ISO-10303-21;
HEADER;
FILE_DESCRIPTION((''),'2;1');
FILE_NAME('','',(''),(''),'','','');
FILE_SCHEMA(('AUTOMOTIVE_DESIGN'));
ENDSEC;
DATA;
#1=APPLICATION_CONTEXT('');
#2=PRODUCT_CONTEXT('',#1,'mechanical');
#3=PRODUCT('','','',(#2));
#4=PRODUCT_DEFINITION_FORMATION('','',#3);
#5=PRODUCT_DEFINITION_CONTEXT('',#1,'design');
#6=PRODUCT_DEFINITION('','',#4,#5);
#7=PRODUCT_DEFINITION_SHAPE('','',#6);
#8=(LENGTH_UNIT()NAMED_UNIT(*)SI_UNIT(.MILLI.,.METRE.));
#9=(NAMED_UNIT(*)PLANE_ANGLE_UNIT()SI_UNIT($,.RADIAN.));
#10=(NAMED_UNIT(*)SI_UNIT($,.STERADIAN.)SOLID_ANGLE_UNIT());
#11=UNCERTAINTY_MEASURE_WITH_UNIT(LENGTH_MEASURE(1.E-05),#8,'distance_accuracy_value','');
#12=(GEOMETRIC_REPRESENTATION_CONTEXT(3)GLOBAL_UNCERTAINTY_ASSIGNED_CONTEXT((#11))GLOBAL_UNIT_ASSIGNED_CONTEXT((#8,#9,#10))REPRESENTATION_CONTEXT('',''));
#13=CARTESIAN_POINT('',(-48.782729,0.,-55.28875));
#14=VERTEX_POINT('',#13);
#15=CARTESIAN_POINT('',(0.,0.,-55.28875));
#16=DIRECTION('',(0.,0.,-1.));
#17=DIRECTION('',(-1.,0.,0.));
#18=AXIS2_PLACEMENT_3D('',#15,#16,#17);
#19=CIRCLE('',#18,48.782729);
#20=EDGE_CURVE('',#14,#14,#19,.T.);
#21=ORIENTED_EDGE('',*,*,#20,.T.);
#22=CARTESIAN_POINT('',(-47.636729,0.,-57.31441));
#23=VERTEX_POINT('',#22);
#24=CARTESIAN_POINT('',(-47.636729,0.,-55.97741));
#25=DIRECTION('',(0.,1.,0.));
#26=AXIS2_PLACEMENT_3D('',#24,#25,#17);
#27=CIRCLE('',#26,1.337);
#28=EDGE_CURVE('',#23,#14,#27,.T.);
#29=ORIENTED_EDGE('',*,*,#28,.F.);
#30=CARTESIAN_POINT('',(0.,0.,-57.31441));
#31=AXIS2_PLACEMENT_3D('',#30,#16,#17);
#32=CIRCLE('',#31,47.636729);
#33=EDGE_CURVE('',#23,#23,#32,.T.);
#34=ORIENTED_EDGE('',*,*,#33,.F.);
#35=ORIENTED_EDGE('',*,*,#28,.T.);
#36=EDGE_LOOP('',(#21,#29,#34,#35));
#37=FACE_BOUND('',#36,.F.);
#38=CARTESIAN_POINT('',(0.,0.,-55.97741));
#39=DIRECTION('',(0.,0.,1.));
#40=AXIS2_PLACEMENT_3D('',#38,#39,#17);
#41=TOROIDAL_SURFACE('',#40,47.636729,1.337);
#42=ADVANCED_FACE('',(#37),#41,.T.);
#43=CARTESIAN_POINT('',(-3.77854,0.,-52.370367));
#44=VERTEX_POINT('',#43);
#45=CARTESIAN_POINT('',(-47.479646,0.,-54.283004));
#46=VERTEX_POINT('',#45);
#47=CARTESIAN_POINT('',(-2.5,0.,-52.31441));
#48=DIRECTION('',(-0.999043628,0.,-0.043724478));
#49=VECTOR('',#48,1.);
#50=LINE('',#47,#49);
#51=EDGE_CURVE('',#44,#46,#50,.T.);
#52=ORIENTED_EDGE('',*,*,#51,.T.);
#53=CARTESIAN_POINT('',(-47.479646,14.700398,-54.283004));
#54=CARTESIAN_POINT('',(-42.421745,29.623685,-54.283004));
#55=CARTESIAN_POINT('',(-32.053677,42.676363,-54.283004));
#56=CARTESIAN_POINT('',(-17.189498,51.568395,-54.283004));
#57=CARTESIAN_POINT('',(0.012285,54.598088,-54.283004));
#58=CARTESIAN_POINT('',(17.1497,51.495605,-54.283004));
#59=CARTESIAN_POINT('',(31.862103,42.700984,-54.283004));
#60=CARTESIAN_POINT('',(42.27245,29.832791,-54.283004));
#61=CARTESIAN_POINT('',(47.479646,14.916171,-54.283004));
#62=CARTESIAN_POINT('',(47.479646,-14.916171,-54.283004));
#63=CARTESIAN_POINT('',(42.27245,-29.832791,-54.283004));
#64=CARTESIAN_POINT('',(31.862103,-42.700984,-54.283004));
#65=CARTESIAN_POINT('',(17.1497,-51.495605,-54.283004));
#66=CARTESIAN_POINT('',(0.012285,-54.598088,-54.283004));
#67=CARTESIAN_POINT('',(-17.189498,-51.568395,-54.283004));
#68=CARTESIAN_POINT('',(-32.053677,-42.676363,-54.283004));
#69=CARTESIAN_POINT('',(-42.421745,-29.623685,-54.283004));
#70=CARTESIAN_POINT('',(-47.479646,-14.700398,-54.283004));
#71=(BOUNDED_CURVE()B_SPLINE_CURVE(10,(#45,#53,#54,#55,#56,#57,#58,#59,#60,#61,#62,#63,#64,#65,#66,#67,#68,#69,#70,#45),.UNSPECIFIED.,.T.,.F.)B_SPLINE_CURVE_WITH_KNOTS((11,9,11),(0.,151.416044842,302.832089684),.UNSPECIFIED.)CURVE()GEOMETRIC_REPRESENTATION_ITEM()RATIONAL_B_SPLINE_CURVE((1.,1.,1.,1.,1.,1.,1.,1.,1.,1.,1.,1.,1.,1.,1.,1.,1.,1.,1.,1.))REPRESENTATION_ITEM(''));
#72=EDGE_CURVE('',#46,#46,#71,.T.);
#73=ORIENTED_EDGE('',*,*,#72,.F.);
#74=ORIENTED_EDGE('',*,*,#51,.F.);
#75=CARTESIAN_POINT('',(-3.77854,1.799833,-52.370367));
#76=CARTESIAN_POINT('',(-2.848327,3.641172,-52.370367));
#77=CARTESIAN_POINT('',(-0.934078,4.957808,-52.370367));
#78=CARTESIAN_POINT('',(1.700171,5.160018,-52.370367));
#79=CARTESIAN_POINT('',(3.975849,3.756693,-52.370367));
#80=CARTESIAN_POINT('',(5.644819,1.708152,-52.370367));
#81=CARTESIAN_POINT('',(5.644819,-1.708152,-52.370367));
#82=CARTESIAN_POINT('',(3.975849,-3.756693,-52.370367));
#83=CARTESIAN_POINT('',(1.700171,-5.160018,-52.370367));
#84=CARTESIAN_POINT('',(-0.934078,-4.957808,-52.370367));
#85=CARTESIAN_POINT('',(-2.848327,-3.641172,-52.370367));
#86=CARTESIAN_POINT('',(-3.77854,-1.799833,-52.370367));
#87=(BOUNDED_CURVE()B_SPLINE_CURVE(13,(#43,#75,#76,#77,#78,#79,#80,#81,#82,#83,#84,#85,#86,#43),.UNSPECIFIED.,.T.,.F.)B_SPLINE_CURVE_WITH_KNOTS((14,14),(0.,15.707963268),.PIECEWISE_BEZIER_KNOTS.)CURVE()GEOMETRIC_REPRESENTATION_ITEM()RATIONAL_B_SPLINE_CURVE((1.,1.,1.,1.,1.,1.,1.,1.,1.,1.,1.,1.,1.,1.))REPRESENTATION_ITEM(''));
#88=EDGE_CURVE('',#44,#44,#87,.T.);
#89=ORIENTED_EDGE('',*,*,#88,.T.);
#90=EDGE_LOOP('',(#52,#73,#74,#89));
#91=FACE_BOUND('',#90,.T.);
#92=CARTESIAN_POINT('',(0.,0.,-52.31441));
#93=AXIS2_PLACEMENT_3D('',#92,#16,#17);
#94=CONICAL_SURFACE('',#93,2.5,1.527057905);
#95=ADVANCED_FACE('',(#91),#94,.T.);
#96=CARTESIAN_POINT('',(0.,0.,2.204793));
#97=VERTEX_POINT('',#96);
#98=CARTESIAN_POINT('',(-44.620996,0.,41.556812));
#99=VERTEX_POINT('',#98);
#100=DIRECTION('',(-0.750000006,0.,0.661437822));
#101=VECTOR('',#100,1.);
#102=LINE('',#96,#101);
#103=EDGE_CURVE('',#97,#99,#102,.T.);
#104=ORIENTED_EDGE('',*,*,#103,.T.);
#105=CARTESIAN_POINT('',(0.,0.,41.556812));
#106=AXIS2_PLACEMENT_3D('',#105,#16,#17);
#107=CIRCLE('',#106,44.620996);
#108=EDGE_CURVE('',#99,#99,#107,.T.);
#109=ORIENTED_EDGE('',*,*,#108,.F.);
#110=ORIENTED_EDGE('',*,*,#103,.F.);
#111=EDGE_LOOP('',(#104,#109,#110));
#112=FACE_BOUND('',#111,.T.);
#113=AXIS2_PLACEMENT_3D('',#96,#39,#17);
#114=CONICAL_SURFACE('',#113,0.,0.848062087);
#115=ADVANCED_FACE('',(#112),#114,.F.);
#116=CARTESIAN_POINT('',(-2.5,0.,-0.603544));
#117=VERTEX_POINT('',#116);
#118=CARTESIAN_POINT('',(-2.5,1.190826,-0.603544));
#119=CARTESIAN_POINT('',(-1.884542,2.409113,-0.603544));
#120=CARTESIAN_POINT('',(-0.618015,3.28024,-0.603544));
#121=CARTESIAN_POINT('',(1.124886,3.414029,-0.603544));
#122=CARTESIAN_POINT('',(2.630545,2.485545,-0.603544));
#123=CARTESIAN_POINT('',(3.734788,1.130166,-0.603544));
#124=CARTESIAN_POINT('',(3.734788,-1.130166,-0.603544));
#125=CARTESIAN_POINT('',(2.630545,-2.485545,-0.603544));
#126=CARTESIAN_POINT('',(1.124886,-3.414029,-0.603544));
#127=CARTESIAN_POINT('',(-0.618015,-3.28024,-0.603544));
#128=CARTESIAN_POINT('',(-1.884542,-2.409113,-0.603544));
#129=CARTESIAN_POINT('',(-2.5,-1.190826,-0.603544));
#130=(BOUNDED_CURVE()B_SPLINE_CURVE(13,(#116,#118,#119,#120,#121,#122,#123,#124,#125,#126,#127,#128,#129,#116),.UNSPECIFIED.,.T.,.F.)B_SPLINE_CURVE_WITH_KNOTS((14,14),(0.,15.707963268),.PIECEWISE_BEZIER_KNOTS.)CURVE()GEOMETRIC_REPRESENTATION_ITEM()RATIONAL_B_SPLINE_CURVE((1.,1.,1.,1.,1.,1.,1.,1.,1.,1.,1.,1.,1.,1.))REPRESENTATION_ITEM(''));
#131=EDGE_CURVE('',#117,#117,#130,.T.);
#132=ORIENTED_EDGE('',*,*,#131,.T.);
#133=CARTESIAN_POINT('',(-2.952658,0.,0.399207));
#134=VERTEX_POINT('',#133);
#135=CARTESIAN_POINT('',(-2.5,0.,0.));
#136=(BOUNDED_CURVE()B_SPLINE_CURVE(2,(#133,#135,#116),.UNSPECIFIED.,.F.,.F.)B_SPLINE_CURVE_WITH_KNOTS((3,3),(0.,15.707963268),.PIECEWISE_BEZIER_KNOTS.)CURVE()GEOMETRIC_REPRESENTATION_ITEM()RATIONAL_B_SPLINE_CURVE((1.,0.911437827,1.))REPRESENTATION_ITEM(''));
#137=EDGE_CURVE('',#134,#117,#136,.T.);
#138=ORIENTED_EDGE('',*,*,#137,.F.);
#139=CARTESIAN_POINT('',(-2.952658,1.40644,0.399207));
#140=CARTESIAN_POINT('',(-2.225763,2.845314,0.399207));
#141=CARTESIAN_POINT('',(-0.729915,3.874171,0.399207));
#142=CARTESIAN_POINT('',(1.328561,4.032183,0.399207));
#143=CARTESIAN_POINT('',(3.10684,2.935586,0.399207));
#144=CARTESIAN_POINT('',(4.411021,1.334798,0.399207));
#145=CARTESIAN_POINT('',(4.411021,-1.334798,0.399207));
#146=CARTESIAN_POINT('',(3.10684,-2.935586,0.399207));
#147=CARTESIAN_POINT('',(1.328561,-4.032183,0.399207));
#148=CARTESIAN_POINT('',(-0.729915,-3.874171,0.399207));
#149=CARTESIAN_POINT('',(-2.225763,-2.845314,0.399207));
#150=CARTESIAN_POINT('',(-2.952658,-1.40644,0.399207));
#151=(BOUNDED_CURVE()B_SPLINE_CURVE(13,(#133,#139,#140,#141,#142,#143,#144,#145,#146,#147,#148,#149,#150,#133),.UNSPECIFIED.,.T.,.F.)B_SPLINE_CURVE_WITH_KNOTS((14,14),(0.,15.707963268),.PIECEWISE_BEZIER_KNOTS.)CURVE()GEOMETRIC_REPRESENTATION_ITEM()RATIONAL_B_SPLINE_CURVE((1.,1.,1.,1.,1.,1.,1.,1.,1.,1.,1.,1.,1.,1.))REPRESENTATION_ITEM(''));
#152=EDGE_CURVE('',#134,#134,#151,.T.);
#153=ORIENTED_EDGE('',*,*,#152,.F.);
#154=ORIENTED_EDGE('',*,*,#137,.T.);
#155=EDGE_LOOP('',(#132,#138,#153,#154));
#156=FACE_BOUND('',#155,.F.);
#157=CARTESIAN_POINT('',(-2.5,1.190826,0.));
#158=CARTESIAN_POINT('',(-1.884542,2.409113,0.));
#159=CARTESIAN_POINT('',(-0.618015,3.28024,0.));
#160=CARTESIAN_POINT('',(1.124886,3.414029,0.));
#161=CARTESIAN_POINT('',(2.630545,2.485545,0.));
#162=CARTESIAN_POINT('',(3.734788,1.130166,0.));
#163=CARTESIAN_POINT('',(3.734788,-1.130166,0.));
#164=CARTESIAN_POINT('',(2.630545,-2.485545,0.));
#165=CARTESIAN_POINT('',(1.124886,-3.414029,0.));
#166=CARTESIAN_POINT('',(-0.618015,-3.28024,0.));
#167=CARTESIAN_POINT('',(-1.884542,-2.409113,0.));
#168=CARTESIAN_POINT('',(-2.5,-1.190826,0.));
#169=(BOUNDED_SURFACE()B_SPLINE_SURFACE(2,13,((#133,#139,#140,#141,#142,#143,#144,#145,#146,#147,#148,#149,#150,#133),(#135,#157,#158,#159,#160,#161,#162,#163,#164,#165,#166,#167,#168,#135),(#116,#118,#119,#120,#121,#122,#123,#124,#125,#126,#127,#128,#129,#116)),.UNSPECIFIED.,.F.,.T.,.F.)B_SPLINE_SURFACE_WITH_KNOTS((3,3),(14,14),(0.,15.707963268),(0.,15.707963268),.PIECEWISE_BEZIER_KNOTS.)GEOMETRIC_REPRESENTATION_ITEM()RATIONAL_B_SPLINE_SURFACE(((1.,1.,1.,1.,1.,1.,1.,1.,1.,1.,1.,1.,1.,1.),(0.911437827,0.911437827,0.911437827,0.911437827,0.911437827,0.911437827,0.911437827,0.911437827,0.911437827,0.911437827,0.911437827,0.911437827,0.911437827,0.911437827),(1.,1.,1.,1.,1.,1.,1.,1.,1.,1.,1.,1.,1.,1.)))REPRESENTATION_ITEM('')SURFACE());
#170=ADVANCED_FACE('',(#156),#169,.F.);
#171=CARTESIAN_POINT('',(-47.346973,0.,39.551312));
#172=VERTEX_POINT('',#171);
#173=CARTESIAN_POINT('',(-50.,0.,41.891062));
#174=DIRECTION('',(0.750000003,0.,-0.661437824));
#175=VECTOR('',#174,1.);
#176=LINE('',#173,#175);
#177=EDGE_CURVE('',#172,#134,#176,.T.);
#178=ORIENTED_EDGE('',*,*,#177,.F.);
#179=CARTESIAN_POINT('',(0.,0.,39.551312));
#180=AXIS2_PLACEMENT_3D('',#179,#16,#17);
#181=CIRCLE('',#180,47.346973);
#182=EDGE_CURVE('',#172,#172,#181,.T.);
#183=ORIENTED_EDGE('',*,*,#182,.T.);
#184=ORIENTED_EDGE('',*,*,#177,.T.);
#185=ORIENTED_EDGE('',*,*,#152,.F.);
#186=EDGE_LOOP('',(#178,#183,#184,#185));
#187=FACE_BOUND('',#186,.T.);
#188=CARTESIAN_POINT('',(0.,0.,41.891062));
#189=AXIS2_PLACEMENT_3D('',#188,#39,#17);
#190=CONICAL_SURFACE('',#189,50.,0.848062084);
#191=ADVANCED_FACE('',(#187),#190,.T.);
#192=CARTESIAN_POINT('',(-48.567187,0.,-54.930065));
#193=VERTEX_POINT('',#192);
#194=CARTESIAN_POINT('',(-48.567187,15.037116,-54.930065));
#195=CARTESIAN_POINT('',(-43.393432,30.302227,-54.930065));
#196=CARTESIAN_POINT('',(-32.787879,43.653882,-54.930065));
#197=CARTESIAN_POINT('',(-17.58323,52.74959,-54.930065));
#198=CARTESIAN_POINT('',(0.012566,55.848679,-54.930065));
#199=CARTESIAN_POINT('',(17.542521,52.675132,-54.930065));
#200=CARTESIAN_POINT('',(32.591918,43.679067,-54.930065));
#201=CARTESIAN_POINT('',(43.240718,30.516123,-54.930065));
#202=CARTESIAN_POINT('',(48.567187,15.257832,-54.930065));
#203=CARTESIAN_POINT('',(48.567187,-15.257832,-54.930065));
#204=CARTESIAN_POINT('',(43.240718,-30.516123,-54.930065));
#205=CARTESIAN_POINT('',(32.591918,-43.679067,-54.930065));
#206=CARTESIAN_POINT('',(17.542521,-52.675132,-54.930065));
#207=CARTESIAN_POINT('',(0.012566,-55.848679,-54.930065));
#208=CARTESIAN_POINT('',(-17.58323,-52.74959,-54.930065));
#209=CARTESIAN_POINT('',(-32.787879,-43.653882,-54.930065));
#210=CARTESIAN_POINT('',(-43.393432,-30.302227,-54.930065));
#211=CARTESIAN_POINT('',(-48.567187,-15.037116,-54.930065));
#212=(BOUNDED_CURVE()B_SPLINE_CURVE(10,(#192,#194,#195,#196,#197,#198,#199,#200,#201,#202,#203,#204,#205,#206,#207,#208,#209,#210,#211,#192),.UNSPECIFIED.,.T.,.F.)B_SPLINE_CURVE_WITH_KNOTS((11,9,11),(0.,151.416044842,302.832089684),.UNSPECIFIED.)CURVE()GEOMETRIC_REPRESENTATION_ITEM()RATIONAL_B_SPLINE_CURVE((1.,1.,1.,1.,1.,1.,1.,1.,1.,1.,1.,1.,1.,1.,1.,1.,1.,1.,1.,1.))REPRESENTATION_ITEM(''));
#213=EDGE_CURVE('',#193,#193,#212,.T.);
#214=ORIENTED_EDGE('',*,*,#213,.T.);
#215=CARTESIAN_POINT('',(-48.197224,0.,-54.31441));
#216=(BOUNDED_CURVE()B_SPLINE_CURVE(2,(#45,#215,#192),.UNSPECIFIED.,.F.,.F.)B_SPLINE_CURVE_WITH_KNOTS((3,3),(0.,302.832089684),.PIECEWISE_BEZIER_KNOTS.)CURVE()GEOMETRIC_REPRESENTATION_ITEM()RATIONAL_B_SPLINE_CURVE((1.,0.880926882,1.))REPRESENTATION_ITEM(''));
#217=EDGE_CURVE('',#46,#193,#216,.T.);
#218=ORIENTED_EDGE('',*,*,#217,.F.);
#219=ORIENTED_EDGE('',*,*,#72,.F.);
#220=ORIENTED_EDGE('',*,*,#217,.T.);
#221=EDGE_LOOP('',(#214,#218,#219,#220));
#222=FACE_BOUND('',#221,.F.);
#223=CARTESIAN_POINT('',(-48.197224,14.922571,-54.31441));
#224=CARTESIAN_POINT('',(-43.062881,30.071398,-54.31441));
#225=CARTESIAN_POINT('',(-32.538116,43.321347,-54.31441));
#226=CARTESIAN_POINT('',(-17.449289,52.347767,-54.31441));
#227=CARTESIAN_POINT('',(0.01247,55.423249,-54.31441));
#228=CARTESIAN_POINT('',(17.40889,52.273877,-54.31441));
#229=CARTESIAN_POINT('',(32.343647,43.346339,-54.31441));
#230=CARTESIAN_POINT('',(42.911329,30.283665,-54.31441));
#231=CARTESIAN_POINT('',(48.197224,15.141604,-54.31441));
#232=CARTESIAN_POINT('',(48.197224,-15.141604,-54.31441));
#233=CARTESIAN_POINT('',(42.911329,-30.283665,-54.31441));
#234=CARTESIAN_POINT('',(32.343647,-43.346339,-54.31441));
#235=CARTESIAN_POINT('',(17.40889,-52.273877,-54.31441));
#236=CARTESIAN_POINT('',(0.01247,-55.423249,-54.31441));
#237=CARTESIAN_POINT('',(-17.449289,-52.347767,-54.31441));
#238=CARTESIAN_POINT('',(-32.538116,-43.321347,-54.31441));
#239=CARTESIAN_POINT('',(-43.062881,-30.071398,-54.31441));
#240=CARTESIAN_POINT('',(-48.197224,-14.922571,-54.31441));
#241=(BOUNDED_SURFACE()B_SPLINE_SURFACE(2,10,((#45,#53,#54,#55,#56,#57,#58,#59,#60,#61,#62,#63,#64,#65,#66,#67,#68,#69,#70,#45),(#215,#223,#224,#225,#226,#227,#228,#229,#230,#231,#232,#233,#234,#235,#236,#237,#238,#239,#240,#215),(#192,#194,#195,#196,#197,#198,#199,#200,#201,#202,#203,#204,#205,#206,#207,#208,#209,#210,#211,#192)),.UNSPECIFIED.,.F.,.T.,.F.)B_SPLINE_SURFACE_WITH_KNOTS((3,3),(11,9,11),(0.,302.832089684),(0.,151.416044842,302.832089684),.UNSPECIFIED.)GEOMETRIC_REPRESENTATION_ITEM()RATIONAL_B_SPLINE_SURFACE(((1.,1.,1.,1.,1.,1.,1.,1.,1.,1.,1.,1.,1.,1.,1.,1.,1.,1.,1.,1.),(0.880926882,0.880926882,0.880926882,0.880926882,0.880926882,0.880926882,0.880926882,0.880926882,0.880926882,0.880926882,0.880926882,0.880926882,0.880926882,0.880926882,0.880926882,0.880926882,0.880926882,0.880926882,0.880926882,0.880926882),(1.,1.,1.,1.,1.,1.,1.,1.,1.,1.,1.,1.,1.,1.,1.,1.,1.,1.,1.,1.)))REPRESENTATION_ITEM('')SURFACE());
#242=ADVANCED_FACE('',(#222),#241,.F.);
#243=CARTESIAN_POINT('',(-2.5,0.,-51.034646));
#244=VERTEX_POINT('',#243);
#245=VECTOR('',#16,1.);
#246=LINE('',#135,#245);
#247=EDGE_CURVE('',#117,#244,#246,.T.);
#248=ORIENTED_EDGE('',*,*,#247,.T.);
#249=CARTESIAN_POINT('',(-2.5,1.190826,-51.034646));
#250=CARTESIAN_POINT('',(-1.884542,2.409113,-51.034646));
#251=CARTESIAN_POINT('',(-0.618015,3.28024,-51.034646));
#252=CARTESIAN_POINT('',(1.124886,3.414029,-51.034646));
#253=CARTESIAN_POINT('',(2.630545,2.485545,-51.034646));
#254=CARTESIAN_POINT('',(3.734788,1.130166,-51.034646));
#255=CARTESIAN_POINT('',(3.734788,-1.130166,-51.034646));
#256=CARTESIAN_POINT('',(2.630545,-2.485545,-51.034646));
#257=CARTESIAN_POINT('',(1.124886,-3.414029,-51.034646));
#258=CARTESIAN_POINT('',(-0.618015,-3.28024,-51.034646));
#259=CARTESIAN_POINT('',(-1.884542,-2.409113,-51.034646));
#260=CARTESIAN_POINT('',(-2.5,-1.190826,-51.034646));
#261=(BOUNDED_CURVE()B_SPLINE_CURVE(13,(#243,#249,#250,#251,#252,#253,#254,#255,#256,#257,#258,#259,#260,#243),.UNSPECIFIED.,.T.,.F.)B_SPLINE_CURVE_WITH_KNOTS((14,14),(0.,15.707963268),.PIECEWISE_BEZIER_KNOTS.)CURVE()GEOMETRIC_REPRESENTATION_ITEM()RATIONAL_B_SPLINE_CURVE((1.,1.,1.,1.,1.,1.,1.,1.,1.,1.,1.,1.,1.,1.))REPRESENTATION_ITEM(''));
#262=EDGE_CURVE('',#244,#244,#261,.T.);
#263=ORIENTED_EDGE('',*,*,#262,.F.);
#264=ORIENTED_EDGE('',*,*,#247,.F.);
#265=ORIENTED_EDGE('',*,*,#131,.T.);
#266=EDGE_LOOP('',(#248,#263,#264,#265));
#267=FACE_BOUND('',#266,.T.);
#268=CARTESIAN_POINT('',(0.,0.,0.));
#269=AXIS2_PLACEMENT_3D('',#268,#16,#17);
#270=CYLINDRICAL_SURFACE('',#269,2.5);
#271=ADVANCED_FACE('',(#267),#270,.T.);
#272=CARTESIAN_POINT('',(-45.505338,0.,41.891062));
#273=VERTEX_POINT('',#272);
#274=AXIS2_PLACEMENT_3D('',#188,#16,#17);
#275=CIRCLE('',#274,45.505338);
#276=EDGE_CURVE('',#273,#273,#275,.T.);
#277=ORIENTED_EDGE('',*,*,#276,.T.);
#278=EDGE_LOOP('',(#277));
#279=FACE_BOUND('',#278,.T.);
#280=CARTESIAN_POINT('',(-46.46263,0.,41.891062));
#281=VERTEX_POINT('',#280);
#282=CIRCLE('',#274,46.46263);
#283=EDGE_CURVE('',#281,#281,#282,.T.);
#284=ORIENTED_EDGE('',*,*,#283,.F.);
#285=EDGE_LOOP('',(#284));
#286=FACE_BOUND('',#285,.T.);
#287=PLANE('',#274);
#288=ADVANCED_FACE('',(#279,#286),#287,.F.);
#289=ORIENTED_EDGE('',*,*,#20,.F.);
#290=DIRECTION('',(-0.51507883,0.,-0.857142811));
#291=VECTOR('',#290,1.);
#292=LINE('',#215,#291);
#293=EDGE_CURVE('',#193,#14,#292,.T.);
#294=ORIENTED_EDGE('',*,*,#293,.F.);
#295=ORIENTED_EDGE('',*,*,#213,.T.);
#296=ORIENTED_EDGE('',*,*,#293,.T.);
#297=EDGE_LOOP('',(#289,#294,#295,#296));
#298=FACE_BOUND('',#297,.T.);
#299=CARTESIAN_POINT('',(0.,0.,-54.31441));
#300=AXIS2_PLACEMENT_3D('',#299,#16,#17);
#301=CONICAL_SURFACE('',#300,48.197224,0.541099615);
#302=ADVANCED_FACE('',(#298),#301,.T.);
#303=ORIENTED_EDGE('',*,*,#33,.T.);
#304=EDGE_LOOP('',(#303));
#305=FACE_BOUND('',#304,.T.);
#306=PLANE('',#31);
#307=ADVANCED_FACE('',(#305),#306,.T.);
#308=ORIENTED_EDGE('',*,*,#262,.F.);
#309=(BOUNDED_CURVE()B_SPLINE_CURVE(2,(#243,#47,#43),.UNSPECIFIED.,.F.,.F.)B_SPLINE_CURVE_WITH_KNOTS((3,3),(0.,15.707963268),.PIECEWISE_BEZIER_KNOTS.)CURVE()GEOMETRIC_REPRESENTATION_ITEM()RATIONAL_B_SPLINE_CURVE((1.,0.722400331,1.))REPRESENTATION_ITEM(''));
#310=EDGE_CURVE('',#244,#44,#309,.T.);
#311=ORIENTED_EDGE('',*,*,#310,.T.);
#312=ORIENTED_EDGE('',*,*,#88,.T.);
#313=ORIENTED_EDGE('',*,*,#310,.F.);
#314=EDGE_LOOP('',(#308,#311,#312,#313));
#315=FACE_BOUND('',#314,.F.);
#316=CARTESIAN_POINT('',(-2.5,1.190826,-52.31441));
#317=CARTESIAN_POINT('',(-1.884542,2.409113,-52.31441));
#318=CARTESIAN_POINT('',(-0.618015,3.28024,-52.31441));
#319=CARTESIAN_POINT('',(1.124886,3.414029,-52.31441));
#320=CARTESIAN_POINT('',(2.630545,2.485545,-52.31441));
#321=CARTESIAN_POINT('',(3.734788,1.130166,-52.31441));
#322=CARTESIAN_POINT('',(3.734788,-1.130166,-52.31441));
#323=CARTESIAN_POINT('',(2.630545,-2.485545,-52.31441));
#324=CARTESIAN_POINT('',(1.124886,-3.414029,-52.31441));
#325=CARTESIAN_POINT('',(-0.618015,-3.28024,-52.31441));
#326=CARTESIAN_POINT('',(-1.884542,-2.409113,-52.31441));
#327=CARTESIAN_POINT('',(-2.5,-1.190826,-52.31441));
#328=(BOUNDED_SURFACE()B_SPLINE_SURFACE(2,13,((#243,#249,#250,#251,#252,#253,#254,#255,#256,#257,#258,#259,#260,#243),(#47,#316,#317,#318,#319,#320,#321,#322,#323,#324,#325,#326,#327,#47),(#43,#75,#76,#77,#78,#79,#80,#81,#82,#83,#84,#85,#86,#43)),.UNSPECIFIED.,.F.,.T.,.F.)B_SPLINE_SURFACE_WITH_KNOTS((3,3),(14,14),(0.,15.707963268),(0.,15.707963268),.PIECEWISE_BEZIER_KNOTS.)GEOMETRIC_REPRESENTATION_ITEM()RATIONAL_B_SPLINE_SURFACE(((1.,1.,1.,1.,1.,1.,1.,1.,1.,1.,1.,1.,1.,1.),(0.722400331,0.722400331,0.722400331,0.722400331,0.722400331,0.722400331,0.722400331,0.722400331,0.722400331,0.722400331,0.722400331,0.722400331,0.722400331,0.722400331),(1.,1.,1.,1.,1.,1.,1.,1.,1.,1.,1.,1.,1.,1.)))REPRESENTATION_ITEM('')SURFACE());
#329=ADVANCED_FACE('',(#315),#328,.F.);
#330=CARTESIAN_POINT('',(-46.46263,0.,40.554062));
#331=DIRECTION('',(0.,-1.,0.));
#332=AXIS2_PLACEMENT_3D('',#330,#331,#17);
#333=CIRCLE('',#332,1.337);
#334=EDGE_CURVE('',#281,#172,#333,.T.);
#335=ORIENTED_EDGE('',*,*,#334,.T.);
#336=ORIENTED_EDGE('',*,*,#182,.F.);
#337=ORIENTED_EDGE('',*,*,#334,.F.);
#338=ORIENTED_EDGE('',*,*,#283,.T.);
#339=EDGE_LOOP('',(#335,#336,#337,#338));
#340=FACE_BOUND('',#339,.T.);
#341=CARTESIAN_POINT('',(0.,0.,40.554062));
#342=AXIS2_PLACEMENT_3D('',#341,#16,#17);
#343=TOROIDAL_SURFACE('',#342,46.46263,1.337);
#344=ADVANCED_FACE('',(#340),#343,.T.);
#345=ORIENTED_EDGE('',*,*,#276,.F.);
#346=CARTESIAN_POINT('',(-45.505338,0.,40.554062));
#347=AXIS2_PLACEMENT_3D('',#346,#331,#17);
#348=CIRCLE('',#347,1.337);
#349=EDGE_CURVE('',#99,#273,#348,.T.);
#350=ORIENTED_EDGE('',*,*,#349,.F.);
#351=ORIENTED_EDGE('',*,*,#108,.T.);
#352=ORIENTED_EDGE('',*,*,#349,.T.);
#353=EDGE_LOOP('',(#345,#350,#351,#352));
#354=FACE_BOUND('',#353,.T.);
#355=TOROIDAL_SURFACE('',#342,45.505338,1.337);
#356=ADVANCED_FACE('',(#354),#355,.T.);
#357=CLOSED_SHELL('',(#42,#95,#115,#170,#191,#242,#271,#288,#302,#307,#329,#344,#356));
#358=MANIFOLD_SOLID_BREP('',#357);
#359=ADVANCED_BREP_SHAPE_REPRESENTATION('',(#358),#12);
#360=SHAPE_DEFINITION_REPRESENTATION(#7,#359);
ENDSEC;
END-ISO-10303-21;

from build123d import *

# Parameters (mm, degrees)
F2_R = 1.337


with BuildPart() as f1:
    # F0 (on Front) → F1 (revolve)
    with BuildSketch(Plane.XZ):
        Polygon((-50, -57.31441), (0, -57.31441), (0, 2.204793), (-45, 41.891062), (-50, 41.891062), (-2.5, 0), (-2.5, -52.31441), (-48.197224, -54.31441), align=None)
    revolve(axis=Axis((0, 0, -3.351647), (0, 0, -1)))

    # F2
    f2_edges = [f1.edges().sort_by_distance(p)[0] for p in [
        (50, 0, 41.891062),
        (45, 0, 41.891062),
        (48.197224, 0, -54.31441),
        (50, 0, -57.31441),
        (2.5, 0, -52.31441),
        (2.5, 0, 0),
    ]]
    fillet(f2_edges, radius=F2_R)


solid = f1.part
